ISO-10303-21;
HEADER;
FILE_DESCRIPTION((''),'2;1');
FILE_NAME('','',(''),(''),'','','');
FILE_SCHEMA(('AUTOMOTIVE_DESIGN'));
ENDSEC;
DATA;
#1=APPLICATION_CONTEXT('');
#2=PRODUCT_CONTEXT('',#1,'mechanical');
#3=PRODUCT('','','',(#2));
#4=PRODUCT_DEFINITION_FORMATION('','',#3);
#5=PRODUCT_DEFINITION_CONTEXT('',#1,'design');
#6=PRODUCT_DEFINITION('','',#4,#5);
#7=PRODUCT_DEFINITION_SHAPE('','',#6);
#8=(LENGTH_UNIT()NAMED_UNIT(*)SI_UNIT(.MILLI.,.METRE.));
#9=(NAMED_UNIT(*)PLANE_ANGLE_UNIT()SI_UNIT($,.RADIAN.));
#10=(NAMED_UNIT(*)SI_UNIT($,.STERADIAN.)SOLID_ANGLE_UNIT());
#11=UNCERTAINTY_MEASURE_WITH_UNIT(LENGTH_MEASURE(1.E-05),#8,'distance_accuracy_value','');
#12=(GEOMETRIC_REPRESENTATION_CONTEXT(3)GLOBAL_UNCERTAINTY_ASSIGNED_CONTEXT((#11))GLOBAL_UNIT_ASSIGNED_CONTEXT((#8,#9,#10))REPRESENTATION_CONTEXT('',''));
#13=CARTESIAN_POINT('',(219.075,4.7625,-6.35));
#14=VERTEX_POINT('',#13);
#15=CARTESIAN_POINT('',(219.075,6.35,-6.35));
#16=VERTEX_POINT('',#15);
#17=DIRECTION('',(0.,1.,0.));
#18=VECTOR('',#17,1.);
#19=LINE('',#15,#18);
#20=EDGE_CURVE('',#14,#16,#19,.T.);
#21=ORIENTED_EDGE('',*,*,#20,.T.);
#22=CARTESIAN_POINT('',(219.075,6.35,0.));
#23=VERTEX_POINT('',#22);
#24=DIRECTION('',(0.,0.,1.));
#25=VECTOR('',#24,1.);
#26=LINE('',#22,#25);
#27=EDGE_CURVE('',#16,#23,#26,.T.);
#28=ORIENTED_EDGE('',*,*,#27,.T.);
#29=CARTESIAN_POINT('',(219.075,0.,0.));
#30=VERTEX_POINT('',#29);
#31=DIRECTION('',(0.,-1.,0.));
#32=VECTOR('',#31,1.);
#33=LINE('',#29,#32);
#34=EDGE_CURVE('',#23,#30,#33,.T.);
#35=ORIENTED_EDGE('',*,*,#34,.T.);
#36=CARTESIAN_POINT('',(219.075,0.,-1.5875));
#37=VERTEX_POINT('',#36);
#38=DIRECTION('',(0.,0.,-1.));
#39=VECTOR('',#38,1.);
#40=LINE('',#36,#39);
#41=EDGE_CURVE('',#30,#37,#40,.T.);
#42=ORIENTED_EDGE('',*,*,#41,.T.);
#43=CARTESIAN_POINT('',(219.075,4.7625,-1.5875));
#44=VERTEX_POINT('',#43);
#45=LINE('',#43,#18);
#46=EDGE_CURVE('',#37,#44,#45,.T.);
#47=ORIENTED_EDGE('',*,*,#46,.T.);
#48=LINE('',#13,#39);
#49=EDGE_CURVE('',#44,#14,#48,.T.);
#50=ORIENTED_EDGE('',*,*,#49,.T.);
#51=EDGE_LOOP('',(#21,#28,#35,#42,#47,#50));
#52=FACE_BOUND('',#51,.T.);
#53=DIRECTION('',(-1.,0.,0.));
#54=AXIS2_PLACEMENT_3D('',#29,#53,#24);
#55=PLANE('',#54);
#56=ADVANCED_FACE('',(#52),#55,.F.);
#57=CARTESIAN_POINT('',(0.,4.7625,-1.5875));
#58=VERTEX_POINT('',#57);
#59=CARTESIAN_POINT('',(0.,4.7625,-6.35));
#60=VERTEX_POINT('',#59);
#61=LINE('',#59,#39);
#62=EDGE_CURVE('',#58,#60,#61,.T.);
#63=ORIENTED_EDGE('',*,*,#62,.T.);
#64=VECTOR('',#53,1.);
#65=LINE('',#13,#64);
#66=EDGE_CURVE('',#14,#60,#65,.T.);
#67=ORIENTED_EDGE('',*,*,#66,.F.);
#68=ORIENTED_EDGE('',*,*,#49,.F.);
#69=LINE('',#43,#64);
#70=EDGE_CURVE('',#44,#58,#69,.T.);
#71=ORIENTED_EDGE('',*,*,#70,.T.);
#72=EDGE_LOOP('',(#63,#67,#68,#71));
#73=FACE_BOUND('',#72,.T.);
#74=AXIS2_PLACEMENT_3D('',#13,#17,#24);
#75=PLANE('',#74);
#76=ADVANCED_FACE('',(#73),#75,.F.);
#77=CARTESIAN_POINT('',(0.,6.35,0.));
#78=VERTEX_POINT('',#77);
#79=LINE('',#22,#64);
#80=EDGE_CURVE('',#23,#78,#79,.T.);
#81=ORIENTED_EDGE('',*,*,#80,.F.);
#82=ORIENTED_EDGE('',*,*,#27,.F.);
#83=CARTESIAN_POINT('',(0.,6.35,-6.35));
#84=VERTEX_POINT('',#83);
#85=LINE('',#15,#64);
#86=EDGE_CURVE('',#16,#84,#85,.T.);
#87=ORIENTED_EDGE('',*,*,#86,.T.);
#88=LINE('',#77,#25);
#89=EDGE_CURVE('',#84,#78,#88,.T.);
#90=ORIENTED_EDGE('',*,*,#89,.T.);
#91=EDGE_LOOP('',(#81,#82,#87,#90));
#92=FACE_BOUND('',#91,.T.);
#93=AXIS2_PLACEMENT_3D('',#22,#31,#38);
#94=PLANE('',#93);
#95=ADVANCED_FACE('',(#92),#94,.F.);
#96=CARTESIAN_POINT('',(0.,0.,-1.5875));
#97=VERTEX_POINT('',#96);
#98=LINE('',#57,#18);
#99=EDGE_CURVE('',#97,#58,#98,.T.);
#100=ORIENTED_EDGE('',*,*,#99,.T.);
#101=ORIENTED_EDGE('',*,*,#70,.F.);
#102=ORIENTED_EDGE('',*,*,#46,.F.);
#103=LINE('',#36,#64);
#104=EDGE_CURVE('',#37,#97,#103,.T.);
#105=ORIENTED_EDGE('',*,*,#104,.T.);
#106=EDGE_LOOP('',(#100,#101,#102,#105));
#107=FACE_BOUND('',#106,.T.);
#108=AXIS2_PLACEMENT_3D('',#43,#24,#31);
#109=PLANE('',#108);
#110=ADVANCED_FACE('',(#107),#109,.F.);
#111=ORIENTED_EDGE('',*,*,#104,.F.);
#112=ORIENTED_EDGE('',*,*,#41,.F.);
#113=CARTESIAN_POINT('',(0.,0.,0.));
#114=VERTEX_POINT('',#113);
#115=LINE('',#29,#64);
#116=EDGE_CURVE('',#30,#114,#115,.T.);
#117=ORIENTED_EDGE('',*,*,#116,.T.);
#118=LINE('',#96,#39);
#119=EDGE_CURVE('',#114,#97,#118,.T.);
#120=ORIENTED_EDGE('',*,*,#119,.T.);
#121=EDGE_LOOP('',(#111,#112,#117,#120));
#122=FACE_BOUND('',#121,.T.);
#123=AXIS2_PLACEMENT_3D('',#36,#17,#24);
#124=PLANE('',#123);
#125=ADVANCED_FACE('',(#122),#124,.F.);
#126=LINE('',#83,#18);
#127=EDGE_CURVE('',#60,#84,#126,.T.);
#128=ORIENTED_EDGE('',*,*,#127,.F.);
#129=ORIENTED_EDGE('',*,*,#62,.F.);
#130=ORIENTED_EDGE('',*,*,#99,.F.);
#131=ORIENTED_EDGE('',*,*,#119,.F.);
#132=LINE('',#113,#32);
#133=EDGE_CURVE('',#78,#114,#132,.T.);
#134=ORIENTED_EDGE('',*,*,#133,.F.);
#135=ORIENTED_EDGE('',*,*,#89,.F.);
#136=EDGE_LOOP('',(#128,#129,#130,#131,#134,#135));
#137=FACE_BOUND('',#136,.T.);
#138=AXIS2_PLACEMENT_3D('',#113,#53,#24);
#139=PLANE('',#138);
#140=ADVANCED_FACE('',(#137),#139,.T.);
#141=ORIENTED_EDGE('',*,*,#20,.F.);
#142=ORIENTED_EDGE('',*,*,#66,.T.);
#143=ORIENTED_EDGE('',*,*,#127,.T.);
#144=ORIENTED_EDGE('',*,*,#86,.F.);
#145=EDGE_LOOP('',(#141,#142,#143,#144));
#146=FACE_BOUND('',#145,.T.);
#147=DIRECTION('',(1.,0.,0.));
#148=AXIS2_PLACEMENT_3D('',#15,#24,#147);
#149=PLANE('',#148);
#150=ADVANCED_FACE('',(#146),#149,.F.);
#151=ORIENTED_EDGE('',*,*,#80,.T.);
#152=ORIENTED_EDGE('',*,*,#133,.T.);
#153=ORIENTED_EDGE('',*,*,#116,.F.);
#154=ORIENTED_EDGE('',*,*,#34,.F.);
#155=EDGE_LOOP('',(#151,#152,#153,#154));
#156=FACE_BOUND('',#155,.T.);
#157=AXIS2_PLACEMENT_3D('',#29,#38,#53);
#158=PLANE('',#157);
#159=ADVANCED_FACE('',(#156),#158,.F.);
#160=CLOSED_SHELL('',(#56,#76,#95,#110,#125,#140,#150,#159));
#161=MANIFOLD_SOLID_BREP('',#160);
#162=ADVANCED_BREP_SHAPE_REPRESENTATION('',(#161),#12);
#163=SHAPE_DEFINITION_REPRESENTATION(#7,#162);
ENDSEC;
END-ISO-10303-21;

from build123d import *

# Parameters (mm, degrees)
BOSS_EXTRUDE1_DEPTH = 219.075


with BuildPart() as part:
    # Sketch1 → Boss-Extrude1 (new body)
    with BuildSketch(Plane(origin=(0, 0, 0), x_dir=(0, 0, -1), z_dir=(1, 0, 0))):
        Polygon((0, 0), (0, 6.35), (6.35, 6.35), (6.35, 4.7625), (1.5875, 4.7625), (1.5875, 0), align=None)
    extrude(amount=BOSS_EXTRUDE1_DEPTH)


solid = part.part
